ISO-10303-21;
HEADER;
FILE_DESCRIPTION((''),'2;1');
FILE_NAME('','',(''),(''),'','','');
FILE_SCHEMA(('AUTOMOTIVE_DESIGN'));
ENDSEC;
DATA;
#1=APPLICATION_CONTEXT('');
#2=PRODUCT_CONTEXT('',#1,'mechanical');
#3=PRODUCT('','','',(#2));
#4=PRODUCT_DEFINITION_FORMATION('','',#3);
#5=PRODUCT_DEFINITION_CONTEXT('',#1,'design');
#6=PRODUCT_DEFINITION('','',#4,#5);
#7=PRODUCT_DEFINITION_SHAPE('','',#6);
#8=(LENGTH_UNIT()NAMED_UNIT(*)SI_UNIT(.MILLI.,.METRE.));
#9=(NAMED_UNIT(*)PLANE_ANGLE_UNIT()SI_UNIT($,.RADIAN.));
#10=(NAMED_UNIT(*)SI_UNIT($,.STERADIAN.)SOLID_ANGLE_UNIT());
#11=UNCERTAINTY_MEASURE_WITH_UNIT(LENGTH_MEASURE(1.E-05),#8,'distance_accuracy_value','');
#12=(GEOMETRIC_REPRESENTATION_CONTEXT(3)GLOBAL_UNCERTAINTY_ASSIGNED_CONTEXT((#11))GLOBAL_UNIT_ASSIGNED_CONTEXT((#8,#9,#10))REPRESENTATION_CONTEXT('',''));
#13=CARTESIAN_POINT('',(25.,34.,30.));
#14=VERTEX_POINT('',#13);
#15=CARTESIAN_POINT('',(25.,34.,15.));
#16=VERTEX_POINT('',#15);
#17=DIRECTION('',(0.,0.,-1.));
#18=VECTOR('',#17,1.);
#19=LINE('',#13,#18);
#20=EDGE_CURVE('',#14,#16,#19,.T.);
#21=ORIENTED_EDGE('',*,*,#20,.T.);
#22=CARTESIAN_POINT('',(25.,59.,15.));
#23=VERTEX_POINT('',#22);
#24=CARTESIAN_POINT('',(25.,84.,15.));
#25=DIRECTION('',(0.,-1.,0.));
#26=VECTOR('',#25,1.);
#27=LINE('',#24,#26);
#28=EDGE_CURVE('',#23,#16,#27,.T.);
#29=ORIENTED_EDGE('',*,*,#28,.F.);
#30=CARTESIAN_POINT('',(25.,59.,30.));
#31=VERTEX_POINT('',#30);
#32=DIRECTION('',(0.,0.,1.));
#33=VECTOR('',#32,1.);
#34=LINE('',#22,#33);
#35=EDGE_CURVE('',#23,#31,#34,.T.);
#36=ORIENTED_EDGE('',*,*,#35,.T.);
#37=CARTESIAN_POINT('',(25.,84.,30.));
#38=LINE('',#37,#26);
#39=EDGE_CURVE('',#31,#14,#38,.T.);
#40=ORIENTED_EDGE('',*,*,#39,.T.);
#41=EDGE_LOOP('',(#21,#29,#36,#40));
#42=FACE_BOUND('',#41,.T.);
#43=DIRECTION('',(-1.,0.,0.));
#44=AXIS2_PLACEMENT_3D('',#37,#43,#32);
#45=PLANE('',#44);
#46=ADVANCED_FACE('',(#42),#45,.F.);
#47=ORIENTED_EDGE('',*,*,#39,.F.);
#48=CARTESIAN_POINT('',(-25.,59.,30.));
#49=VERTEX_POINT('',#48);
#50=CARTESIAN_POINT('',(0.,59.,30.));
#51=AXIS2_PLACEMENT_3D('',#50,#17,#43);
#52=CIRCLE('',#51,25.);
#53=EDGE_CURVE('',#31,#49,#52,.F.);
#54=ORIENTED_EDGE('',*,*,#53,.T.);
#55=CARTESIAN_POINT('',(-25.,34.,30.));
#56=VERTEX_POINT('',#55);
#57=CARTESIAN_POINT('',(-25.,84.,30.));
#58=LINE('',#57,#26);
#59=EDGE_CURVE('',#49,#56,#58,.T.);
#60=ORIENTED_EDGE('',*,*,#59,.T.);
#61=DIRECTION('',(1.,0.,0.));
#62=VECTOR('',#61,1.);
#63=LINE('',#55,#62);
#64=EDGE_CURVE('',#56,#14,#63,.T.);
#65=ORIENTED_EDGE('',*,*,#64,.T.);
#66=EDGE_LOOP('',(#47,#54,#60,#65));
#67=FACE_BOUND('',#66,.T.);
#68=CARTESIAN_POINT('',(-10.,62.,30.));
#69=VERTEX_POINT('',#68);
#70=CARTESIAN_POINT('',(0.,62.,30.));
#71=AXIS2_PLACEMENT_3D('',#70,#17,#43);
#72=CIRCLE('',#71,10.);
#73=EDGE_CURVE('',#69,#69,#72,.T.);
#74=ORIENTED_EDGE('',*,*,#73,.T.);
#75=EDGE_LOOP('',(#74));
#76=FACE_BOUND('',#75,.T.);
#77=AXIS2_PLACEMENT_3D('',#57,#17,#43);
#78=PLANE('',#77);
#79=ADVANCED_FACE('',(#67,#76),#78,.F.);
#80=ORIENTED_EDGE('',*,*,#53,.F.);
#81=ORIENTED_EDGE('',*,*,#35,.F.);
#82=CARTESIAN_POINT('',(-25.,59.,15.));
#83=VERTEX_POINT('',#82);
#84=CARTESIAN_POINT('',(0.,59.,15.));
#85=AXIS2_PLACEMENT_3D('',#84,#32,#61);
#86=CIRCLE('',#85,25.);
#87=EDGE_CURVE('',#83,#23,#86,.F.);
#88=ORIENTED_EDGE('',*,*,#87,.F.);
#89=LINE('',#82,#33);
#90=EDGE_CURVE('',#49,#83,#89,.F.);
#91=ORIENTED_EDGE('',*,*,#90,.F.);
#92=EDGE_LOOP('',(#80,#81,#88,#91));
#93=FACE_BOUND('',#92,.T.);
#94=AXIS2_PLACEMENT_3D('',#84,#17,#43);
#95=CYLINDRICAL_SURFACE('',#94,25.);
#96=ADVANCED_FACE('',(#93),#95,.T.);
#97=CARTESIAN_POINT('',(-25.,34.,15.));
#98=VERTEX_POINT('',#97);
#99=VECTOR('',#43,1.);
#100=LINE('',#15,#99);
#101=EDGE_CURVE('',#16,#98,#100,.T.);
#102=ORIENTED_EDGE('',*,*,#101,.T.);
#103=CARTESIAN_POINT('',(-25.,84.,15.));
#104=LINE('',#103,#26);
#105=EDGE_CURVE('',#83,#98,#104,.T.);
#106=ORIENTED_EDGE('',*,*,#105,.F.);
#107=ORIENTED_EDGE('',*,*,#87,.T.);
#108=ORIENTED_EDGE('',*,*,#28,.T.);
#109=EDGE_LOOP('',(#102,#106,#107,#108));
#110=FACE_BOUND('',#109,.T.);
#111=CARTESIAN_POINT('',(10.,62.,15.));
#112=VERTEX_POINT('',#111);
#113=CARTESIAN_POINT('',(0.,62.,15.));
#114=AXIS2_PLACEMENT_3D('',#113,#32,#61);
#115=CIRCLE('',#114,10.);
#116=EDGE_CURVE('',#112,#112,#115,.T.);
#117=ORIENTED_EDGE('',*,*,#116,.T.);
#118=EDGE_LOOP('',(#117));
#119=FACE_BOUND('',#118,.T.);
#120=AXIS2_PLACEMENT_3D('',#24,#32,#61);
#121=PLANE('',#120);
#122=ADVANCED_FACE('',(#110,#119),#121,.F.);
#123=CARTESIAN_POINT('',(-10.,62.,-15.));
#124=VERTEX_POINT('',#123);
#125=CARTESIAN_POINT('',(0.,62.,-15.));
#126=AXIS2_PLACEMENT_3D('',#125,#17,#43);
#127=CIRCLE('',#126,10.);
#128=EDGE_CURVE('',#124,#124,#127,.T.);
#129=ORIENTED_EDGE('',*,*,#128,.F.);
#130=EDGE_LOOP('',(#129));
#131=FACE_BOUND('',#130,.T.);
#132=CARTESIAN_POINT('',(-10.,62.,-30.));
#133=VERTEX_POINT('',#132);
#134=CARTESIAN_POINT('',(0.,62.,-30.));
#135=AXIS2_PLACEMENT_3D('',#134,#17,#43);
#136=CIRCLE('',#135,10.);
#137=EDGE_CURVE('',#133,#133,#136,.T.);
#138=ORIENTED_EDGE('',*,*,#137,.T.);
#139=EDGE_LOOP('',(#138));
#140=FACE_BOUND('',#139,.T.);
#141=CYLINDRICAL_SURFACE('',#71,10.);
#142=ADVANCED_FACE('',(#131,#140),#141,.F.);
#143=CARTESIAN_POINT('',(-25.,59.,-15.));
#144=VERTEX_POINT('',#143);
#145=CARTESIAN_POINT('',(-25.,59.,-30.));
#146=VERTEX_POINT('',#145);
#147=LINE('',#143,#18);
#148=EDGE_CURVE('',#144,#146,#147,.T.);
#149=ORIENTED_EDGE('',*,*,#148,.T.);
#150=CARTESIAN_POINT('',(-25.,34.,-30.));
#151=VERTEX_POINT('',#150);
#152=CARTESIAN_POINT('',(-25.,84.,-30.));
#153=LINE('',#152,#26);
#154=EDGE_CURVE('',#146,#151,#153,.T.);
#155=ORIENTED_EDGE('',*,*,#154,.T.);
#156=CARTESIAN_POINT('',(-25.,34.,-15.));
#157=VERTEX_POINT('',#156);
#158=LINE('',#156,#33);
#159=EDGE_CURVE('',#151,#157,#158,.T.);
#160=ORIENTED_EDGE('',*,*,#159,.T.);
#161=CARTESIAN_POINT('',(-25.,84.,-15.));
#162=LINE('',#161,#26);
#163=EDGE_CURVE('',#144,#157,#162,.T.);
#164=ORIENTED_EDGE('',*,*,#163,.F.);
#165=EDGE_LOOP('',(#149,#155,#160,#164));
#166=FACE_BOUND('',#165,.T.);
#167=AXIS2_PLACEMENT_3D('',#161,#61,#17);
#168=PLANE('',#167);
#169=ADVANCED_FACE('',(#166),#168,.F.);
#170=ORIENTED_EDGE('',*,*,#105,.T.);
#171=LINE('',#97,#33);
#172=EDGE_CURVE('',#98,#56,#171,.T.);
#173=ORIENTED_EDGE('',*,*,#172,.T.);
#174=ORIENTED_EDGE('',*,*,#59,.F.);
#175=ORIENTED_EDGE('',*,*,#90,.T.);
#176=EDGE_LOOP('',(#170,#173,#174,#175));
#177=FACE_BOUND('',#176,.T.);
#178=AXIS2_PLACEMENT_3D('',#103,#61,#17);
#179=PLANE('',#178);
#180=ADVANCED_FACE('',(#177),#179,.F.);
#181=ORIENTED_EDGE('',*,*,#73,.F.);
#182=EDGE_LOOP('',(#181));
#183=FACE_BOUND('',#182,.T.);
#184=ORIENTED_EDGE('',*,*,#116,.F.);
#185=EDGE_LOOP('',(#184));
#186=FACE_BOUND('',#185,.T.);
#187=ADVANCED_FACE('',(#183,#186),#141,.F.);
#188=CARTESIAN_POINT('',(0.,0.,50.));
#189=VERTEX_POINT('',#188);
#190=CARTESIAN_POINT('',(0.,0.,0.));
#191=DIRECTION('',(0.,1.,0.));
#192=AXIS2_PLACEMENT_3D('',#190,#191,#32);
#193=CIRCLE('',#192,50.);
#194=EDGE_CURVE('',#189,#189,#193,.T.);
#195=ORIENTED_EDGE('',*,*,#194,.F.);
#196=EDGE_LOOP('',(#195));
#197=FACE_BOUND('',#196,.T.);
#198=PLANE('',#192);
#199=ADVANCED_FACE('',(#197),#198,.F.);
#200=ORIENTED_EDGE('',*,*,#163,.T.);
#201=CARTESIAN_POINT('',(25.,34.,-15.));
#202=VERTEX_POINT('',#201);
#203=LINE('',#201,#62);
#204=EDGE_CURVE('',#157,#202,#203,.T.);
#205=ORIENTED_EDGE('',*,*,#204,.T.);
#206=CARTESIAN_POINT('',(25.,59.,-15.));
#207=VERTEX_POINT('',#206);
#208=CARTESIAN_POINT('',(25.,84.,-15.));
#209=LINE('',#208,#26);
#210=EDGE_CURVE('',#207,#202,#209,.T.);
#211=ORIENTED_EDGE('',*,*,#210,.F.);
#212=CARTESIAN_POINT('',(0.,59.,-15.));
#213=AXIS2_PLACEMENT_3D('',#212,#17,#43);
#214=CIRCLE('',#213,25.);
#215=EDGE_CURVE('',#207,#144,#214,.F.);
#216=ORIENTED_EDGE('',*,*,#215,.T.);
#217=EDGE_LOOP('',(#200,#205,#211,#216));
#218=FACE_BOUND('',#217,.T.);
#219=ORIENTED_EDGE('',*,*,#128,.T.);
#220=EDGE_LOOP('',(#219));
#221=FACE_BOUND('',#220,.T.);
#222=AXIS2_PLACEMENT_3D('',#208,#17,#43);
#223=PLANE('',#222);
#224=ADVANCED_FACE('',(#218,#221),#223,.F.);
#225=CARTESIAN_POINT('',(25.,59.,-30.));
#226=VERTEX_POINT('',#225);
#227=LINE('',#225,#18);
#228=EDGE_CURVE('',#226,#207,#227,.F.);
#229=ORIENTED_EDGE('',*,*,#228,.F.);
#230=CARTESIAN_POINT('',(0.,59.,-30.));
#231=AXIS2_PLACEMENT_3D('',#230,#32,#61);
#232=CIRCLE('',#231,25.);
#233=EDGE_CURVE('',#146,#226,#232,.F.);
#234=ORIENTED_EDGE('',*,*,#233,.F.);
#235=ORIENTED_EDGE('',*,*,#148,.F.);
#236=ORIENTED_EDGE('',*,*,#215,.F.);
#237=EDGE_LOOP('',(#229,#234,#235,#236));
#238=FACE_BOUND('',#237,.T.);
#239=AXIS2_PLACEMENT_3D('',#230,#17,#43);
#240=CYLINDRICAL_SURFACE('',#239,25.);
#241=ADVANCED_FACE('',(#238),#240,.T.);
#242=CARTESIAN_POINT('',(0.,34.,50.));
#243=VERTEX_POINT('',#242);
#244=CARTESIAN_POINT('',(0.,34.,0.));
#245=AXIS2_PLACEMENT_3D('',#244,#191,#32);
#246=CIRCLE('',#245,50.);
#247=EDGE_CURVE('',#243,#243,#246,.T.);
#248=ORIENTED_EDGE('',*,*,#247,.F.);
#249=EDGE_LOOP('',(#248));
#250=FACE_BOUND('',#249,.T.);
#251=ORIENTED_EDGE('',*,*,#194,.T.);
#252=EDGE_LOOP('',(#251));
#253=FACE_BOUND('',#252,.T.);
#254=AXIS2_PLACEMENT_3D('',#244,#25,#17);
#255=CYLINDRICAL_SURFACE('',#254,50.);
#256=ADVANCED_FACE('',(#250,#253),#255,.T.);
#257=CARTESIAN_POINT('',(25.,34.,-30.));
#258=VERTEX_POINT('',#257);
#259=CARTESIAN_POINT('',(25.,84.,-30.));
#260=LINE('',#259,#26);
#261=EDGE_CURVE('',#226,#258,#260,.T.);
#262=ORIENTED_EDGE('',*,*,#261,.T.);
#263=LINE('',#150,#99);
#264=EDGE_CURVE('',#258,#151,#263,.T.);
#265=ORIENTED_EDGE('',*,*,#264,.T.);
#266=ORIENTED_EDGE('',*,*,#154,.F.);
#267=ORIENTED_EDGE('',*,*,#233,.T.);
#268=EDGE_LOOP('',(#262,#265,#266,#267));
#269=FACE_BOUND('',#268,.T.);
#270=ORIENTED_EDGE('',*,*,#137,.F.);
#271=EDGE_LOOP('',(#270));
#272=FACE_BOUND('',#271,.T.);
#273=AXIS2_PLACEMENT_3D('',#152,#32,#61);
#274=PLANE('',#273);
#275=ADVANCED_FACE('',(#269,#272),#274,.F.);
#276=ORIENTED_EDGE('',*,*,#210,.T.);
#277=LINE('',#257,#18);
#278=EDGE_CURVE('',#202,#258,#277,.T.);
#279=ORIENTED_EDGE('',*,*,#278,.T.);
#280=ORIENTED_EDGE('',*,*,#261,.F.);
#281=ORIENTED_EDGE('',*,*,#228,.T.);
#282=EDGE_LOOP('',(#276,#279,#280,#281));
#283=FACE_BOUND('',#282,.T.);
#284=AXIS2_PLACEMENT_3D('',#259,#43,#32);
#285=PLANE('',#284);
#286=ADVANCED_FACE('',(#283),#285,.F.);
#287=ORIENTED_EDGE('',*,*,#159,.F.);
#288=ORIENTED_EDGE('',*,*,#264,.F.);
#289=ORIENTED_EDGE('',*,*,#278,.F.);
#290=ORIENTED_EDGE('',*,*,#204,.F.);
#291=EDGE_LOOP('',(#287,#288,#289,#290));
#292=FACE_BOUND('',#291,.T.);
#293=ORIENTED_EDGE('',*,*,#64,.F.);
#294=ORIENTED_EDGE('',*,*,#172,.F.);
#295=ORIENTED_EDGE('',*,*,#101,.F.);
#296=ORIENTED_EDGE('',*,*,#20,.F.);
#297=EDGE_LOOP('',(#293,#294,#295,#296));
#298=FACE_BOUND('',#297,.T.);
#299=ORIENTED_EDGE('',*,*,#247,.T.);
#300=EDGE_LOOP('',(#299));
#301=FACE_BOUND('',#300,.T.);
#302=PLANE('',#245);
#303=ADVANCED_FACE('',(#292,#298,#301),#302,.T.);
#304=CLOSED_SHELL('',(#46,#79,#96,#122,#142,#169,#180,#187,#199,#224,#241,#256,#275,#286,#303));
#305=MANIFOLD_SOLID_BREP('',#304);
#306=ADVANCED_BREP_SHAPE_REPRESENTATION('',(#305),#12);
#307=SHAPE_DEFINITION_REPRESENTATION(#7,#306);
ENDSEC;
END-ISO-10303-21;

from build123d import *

# Parameters (mm, degrees)
CROQUIS1_R              = 50
SALIENTE_EXTRUIR1_DEPTH = 34
CROQUIS2_W              = 50
CROQUIS2_H              = 15
SALIENTE_EXTRUIR2_DEPTH = 50
CROQUIS4_R              = 10
CORTAR_EXTRUIR1_DEPTH   = 60
REDONDEO1_RADIUS        = 25
REDONDEO1_LENGTH        = 15
REDONDEO2_RADIUS        = 25
REDONDEO2_LENGTH        = 15


with BuildPart() as part:
    # Croquis1 → Saliente-Extruir1 (new body)
    with BuildSketch(Plane(origin=(0, 0, 0), x_dir=(1, 0, 0), z_dir=(0, 1, 0))):
        with Locations(Location((0, 0, 0), (0, 0, 270))):
            Circle(CROQUIS1_R)
    extrude(amount=SALIENTE_EXTRUIR1_DEPTH)

    # Croquis2 → Saliente-Extruir2 (add)
    with BuildSketch(Plane(origin=(0, 34, 0), x_dir=(1, 0, 0), z_dir=(0, 1, 0))):
        with Locations((0, 22.5)):
            Rectangle(CROQUIS2_W, CROQUIS2_H)
        with Locations((0, -22.5)):
            Rectangle(CROQUIS2_W, CROQUIS2_H)
    extrude(amount=SALIENTE_EXTRUIR2_DEPTH)

    # Croquis4 → Cortar-Extruir1 (cut)
    with BuildSketch(Plane(origin=(0, 0, -30), x_dir=(-1, 0, 0), z_dir=(0, 0, -1))):
        with Locations((0, 62)):
            Circle(CROQUIS4_R)
    extrude(amount=-CORTAR_EXTRUIR1_DEPTH, mode=Mode.SUBTRACT)

    # Redondeo1: full round fillet: the end face becomes a half cylinder, R = half its width
    redondeo1_face = Plane((0, 84, -22.5), x_dir=(0, 0, 1), z_dir=(0, 1, 0))  # on the end face: x along it, z out of the body
    redondeo1_slab = redondeo1_face.offset(-REDONDEO1_RADIUS / 2) * Box(REDONDEO1_LENGTH, 2 * REDONDEO1_RADIUS, REDONDEO1_RADIUS, mode=Mode.PRIVATE)  # the body's end, R deep
    redondeo1_round = Plane((0, 59, -22.5), x_dir=(0, 1, 0), z_dir=(0, 0, 1)) * Cylinder(REDONDEO1_RADIUS, REDONDEO1_LENGTH, mode=Mode.PRIVATE)  # its axis R under the face
    add(redondeo1_slab - redondeo1_round, mode=Mode.SUBTRACT)

    # Redondeo2: full round fillet: the end face becomes a half cylinder, R = half its width
    redondeo2_face = Plane((0, 84, 22.5), x_dir=(0, 0, 1), z_dir=(0, 1, 0))  # on the end face: x along it, z out of the body
    redondeo2_slab = redondeo2_face.offset(-REDONDEO2_RADIUS / 2) * Box(REDONDEO2_LENGTH, 2 * REDONDEO2_RADIUS, REDONDEO2_RADIUS, mode=Mode.PRIVATE)  # the body's end, R deep
    redondeo2_round = Plane((0, 59, 22.5), x_dir=(0, 1, 0), z_dir=(0, 0, 1)) * Cylinder(REDONDEO2_RADIUS, REDONDEO2_LENGTH, mode=Mode.PRIVATE)  # its axis R under the face
    add(redondeo2_slab - redondeo2_round, mode=Mode.SUBTRACT)


solid = part.part
